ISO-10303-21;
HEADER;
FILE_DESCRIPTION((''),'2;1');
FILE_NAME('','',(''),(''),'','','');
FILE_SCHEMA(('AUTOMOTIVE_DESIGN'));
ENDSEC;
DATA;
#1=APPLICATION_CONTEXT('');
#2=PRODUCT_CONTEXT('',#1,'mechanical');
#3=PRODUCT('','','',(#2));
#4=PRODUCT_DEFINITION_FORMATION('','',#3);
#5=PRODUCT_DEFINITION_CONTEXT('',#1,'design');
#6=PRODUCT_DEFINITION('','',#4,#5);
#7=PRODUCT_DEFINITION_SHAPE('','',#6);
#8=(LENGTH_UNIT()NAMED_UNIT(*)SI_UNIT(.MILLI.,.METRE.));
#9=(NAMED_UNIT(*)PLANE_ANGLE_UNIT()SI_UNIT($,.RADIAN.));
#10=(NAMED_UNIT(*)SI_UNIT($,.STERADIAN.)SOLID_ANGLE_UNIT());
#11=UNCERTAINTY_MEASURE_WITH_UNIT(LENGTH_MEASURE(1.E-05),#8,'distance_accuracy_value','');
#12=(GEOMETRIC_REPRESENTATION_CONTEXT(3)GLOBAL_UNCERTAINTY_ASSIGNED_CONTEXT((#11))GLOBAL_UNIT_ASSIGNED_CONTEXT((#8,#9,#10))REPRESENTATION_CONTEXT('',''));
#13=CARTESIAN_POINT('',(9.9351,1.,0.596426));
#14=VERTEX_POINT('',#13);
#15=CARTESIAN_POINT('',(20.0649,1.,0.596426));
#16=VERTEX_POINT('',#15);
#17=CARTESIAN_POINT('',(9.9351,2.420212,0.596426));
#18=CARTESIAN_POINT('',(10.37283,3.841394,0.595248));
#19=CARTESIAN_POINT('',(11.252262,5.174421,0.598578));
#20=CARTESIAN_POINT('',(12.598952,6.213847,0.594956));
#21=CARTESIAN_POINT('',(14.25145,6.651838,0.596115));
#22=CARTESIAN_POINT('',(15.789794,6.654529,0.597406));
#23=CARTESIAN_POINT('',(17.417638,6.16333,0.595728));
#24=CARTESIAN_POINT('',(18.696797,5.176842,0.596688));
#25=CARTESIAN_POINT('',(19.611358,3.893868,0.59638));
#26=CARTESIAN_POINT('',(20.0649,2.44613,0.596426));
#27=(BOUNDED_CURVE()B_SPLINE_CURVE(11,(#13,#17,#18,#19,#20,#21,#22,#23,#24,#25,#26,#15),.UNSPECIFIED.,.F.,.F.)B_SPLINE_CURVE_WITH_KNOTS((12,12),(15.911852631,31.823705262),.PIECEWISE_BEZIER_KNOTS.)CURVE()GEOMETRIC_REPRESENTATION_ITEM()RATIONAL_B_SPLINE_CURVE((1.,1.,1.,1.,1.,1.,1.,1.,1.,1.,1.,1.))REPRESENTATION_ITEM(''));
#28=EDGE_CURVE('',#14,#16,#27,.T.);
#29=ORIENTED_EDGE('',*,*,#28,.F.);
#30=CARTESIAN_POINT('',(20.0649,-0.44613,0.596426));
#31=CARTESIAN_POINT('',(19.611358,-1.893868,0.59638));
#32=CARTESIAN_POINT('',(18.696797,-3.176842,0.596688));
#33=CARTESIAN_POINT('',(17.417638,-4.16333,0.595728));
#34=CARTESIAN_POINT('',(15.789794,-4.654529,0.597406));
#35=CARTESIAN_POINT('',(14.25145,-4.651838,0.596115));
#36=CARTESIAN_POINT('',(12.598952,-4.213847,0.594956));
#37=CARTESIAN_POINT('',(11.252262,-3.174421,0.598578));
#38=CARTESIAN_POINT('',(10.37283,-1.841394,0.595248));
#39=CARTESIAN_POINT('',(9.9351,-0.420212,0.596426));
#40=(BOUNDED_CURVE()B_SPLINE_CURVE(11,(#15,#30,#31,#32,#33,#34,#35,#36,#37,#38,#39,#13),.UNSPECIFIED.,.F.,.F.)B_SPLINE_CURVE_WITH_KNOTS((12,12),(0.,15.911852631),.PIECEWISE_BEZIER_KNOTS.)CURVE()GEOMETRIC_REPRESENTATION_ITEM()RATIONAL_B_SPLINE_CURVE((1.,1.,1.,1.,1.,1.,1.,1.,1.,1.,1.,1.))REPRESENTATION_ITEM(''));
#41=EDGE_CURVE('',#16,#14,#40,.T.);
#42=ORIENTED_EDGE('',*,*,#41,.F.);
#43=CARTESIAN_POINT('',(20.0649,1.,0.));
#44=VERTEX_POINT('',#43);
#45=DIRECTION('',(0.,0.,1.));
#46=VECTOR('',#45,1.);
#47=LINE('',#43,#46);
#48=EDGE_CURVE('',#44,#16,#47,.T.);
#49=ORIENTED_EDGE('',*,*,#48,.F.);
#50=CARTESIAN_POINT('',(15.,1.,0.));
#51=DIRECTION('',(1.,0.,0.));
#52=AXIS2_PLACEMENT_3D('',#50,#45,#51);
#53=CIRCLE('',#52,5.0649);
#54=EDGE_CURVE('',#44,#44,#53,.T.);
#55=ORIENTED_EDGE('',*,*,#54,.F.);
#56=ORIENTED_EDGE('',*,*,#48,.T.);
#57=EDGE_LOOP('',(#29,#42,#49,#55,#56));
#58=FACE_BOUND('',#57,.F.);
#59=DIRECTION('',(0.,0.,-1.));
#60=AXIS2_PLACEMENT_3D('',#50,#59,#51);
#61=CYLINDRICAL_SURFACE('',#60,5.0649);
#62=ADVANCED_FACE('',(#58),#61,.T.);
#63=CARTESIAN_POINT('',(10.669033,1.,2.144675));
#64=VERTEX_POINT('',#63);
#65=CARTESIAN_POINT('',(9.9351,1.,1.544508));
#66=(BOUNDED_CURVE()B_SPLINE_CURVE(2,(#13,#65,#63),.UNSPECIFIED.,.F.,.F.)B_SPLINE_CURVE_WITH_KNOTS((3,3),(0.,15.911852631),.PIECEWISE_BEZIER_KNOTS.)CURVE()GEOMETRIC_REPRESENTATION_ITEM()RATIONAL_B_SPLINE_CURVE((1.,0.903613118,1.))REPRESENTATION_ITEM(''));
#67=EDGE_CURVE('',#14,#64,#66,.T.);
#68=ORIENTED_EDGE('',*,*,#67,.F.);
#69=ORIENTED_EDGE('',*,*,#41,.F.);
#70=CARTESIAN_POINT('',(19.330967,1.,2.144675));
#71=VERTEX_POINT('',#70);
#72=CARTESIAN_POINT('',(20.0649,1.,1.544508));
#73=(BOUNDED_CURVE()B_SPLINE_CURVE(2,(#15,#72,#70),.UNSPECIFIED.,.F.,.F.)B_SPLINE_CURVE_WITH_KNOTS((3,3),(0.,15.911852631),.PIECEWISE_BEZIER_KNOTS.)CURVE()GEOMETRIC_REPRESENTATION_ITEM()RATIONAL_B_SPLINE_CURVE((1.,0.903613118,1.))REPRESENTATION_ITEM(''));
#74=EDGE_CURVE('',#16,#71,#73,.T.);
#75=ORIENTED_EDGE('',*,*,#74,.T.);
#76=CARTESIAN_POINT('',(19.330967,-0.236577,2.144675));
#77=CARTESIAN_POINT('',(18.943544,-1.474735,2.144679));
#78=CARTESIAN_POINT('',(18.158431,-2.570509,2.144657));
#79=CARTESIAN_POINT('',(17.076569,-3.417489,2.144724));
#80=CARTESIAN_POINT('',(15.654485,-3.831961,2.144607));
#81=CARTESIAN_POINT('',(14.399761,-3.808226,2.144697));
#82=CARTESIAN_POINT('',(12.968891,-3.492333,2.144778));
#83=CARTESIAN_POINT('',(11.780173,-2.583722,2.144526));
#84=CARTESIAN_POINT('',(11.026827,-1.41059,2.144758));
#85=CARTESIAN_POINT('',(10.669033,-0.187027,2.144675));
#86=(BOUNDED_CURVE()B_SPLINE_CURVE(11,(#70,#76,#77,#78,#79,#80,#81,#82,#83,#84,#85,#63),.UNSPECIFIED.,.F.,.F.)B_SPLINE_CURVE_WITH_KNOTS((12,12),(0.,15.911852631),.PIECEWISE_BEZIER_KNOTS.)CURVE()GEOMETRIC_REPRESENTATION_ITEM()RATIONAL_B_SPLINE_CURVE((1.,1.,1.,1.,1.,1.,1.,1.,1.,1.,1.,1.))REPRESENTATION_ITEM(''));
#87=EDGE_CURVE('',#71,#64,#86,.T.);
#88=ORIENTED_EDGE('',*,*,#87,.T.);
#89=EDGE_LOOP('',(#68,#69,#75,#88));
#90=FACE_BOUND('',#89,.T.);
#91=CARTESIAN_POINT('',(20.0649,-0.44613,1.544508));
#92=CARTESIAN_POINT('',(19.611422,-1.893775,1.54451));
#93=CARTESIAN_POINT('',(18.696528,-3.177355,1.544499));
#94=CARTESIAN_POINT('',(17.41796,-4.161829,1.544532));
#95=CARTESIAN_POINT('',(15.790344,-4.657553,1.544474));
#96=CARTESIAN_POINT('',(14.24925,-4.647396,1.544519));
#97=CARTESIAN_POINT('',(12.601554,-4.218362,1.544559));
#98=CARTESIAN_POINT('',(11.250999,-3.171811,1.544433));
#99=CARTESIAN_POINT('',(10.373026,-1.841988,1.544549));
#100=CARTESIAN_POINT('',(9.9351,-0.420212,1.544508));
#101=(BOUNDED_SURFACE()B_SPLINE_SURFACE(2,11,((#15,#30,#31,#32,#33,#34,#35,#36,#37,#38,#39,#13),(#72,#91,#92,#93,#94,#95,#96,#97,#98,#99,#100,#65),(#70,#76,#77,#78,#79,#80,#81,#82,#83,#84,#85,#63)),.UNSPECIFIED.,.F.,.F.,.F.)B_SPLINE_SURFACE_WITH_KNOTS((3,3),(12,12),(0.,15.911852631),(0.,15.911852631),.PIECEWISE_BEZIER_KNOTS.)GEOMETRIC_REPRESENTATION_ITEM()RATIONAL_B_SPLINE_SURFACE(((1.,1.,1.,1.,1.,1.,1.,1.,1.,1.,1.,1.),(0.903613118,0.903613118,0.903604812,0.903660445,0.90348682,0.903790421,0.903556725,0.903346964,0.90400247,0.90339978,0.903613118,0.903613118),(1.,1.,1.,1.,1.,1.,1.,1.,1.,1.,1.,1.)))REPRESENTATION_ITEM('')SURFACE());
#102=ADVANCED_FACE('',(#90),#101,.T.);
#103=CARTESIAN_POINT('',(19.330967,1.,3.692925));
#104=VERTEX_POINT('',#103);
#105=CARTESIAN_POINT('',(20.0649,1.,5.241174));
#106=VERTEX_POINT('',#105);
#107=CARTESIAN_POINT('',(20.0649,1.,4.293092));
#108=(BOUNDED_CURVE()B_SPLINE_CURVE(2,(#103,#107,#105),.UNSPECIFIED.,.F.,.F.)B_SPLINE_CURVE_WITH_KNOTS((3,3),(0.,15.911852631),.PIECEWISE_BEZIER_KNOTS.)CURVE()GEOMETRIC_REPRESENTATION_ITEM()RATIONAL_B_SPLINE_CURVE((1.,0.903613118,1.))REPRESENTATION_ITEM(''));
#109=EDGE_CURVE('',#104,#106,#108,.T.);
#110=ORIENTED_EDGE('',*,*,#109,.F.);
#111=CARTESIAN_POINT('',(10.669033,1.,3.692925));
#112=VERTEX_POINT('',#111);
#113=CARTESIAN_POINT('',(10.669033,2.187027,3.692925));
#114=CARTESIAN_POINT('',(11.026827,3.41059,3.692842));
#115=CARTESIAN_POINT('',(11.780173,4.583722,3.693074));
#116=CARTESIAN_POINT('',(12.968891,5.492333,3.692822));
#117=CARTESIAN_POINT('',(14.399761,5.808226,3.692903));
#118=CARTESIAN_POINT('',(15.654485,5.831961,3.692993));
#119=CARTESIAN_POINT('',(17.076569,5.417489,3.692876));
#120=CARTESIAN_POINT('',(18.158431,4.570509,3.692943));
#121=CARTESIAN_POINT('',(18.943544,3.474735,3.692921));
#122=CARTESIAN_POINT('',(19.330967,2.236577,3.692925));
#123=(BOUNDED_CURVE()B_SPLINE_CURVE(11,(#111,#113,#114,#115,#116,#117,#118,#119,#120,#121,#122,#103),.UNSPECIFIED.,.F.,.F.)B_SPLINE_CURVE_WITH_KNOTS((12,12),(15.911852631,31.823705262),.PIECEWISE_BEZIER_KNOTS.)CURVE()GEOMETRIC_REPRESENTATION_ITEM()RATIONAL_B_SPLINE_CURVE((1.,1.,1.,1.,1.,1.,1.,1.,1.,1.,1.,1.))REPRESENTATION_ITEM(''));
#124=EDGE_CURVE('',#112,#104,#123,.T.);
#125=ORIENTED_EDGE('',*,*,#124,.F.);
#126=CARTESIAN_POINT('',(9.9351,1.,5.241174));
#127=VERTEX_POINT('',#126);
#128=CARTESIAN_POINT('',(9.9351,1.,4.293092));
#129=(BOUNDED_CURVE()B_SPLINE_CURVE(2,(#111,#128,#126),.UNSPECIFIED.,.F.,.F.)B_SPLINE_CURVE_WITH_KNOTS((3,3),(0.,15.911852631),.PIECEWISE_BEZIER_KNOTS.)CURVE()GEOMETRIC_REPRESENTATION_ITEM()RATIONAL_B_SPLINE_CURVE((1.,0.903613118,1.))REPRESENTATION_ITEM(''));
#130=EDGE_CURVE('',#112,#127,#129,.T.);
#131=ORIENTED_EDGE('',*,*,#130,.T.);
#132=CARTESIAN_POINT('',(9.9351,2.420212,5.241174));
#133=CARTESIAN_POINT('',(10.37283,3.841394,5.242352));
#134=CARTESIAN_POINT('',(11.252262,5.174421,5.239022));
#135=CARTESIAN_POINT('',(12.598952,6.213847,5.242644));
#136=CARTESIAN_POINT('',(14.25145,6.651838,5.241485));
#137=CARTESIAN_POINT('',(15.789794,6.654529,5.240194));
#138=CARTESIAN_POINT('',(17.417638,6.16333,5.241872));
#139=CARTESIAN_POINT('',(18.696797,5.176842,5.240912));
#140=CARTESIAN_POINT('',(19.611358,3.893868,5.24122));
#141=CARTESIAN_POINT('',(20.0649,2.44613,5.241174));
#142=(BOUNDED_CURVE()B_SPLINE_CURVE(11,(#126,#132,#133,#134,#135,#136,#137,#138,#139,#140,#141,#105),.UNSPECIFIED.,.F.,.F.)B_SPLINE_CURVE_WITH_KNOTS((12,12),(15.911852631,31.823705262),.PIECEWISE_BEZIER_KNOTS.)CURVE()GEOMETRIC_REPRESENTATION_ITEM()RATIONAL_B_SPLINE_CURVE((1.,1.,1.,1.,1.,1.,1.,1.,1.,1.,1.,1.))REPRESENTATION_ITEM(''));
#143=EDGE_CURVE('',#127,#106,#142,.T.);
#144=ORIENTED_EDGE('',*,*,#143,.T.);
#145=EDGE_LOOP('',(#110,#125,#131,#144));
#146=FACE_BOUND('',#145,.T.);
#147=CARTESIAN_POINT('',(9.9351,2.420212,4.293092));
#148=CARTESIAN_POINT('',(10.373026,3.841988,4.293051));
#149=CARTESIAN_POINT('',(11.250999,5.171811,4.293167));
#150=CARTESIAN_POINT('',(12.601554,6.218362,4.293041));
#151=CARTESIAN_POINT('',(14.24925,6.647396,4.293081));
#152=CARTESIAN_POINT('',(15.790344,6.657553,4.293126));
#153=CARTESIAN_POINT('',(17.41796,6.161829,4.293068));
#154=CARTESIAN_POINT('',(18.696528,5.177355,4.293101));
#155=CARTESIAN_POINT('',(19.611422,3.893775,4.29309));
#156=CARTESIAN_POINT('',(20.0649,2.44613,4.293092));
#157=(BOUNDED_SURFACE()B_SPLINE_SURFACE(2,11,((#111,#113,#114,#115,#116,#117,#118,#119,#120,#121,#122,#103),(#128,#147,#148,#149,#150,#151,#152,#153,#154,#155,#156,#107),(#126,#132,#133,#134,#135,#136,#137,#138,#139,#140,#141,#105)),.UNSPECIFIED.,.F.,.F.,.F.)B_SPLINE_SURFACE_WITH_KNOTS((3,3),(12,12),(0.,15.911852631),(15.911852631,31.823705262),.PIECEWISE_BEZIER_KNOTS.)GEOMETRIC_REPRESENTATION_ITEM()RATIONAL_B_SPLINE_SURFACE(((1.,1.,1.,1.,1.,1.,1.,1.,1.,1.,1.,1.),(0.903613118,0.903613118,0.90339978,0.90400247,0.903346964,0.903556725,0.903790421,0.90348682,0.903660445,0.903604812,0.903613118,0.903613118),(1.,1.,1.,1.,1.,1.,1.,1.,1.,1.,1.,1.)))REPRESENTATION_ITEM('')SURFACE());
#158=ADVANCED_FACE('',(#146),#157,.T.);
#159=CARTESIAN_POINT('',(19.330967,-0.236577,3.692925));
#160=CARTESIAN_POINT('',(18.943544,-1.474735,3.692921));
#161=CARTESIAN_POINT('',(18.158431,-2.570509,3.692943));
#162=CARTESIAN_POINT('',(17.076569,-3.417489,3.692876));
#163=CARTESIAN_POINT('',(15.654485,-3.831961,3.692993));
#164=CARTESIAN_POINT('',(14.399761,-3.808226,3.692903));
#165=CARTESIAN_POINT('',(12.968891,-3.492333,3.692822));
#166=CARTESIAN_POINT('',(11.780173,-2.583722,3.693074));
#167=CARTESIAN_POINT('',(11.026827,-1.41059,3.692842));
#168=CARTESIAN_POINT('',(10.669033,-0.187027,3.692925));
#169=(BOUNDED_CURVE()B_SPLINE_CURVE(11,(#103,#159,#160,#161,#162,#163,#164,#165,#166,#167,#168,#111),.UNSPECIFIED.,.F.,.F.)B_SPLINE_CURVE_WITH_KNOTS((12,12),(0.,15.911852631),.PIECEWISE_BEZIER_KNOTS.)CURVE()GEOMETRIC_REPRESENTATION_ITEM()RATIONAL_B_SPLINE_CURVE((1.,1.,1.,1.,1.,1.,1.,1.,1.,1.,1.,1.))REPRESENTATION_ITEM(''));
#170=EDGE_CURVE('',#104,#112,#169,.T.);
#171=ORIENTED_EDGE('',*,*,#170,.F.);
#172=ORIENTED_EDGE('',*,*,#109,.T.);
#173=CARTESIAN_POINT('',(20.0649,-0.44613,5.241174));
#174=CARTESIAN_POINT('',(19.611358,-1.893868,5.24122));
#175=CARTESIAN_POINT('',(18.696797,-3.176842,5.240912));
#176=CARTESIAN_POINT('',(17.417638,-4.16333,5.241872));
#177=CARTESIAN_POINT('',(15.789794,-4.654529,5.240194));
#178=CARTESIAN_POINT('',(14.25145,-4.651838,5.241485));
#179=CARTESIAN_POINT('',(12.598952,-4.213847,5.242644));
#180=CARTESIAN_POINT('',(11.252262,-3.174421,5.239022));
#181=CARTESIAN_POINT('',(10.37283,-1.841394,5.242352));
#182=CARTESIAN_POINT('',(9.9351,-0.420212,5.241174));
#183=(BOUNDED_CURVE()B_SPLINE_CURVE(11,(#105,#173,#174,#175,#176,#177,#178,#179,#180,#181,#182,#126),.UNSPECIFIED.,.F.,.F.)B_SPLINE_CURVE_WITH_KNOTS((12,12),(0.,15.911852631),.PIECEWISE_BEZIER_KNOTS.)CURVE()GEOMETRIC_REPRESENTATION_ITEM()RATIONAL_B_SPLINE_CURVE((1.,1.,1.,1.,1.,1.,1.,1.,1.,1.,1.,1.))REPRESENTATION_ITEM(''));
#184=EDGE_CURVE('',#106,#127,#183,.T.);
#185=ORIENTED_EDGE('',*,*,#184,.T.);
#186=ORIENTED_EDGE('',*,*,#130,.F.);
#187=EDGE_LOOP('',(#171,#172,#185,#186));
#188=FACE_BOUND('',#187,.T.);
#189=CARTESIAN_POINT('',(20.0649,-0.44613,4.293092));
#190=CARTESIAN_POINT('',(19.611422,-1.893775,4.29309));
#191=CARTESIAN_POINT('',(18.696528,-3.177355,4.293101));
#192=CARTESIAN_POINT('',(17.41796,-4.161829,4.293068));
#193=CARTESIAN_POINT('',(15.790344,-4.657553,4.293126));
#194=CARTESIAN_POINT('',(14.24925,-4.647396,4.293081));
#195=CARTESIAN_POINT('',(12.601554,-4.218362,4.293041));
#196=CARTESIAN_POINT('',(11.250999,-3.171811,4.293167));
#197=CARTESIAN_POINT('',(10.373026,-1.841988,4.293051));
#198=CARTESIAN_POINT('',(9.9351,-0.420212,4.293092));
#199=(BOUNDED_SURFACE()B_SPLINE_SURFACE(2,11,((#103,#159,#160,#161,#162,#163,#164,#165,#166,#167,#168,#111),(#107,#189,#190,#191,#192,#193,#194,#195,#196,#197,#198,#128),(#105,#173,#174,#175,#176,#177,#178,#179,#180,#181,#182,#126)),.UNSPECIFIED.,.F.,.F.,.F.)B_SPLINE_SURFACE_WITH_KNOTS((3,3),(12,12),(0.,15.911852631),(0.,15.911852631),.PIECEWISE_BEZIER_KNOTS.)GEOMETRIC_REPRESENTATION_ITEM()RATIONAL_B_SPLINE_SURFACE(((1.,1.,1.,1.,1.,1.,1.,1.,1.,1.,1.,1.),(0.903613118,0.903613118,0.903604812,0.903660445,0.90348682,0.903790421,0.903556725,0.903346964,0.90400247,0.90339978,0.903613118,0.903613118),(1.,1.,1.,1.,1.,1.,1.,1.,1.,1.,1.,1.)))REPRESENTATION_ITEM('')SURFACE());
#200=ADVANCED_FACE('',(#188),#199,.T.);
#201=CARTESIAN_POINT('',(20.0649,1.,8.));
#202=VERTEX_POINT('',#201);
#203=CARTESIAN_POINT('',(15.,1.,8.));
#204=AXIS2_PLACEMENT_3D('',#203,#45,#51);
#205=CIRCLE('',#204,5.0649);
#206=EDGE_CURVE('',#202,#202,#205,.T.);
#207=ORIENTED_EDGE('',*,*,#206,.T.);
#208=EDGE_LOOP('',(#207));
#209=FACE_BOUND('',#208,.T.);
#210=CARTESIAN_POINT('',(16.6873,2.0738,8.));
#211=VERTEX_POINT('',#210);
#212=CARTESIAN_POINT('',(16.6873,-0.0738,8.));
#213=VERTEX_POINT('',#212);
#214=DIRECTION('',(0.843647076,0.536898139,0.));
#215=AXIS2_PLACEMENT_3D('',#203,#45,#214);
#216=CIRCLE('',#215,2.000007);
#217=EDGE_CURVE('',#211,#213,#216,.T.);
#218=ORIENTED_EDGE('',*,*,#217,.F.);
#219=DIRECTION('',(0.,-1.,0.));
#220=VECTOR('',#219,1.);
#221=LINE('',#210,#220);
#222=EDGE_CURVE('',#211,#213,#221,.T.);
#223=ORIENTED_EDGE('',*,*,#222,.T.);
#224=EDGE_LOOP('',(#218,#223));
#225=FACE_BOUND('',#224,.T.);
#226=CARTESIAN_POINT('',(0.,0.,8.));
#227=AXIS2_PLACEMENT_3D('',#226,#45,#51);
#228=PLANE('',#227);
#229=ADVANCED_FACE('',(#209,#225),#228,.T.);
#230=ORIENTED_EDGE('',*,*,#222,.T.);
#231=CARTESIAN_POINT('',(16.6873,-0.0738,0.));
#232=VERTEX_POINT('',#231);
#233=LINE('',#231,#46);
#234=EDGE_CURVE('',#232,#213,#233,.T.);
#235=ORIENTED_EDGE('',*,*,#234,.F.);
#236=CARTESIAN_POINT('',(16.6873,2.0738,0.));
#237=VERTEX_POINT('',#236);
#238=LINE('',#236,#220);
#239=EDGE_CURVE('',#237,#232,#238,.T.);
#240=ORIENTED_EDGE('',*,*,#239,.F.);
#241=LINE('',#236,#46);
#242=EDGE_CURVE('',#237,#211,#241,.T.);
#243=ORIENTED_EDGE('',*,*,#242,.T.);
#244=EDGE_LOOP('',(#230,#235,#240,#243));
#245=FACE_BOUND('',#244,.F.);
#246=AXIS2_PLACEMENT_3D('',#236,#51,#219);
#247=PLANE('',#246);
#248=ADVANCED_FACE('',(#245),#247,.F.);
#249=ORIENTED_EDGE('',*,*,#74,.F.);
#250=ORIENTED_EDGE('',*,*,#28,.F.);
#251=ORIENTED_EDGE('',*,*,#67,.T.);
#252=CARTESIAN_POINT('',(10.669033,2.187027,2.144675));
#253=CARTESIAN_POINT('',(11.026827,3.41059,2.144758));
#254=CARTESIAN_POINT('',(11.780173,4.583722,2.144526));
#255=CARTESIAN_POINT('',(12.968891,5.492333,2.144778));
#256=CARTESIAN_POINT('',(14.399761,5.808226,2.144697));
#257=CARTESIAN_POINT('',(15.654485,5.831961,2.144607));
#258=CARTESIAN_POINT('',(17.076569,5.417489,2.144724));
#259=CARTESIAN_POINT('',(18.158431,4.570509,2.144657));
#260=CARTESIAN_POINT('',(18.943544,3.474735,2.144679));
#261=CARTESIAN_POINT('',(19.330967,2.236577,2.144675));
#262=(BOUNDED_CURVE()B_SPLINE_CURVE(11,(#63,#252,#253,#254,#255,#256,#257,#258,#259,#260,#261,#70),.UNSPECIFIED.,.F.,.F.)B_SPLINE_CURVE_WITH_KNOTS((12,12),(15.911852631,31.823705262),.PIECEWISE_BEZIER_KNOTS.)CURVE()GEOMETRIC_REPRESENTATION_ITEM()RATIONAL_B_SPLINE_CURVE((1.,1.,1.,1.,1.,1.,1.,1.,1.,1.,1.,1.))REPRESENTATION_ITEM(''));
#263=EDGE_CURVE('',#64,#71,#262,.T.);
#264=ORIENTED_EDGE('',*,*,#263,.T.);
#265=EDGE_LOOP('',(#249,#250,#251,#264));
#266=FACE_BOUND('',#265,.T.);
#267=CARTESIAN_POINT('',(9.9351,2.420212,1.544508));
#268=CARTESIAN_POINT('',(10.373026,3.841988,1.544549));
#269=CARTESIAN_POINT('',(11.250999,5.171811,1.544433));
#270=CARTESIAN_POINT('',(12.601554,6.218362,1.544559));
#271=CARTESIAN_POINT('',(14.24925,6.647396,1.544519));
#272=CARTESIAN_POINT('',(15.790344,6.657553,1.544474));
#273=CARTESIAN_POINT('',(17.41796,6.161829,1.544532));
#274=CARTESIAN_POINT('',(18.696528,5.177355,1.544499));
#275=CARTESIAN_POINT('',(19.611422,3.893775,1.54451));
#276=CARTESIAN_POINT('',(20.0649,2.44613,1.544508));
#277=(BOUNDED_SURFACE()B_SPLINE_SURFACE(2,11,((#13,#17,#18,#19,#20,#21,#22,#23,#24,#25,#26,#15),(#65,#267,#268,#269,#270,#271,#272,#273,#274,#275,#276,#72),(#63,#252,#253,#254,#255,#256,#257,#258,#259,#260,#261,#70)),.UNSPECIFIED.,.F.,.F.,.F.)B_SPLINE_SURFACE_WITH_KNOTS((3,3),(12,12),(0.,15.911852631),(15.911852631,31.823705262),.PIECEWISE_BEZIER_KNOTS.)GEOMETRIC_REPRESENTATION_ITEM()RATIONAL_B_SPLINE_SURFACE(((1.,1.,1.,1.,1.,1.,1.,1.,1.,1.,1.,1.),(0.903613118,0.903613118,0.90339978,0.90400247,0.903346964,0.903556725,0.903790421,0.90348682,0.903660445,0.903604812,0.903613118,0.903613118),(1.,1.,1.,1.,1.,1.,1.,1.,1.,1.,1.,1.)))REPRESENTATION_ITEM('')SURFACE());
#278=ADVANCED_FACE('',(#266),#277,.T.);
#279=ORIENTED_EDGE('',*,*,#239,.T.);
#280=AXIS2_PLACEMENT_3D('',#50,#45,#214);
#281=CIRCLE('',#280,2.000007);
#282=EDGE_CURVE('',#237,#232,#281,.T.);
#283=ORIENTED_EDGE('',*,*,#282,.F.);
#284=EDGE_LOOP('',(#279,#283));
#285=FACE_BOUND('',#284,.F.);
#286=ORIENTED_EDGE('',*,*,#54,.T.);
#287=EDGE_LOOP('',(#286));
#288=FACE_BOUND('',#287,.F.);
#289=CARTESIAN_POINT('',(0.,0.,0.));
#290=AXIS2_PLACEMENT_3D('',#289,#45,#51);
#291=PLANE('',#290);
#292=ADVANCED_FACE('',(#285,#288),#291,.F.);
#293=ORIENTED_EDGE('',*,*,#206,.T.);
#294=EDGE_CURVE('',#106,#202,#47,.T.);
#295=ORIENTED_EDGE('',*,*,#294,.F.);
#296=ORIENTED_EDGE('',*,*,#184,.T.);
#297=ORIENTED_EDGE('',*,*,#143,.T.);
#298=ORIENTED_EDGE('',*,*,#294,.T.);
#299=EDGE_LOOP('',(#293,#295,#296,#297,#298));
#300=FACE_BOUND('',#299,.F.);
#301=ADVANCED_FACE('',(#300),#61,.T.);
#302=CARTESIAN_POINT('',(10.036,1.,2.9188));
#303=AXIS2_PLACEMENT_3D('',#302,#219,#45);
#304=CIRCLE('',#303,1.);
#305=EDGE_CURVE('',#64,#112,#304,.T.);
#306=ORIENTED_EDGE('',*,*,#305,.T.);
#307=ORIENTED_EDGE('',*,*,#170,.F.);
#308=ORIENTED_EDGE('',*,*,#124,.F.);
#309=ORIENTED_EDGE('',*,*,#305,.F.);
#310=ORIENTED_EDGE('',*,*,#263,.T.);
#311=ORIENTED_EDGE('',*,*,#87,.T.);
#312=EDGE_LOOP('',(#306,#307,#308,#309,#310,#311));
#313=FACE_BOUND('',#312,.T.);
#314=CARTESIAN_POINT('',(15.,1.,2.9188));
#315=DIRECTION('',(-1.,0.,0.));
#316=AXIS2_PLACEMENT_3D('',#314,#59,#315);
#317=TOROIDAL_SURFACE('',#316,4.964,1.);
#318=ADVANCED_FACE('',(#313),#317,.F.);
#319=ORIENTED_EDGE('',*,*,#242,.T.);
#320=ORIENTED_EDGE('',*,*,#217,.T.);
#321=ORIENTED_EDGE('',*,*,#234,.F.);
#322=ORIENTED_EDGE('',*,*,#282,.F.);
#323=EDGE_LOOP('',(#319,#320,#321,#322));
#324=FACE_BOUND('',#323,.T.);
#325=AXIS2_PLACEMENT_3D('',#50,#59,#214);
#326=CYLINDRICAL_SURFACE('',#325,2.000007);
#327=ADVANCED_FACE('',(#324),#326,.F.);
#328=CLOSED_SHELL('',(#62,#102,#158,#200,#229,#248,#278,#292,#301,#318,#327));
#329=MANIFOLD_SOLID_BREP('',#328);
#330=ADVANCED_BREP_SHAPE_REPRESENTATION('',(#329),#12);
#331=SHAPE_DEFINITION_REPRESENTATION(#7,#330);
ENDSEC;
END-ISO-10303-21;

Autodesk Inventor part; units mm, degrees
ref_plane "YZ Plane" through (0, 0, 0) normal (1, 0, 0) x (0, 1, 0)
ref_plane "XZ Plane" through (0, 0, 0) normal (0, 1, 0) x (-1, 0, 0)
ref_plane "XY Plane" through (0, 0, 0) normal (0, 0, 1) x (1, 0, 0)
ref_plane "Work Plane1" through (0, 0, 0) normal (0, 0, 1) x (1, 0, 0)
sketch "Sketch1" plane through (0, 0, 0) normal (0, 0, 1) x (1, 0, 0)
  circle A0 centre (33.5, -2.875) radius 5.0649 projected
  circle A1 centre (15, 1) radius 5.0649
  arc A2 (16.6873, 2.0738) -> (16.6873, -0.0738) centre (15, 1) ccw
  line L0 (16.6873, 2.0738) -> (16.6873, -0.0738)
  point P0 (0, 0)
  dimension "d4" = 4
extrude "Extrusion1" add sketch "Sketch1" along normal blind 8 contours A1
ref_plane "Work Plane2" through (23.5, 1, -28) normal (0, -1, 0) x (0, 0, 1)
sketch "Sketch2" plane through (23.5, 1, -28) normal (0, -1, 0) x (0, 0, 1)
  arc A0 (30.1735, -5.6017) -> (31.6642, -5.6017) centre (30.9188, -4.9351) ccw
  circle A1 centre (30.9188, 13.464) radius 1
  line L0 (26.4, 8.5) -> (37.6, 8.5) projected
  point P0 (28, 23.5)
revolve "Revolution1" cut sketch "Sketch2" angle 360 about axis through (15, 1, 0) along (0, 0, 1)
fillet "Fillet1" radius 2 4 edges at (15, -4.0649, 1.9239) (15, 6.0649, 1.9239) (15, -4.0649, 3.9137) (15, 6.0649, 3.9137)
properties part number "20_Cube_Insert_Lightsheet_FEPTube_Rotating_hollomotor_driver_v0"
